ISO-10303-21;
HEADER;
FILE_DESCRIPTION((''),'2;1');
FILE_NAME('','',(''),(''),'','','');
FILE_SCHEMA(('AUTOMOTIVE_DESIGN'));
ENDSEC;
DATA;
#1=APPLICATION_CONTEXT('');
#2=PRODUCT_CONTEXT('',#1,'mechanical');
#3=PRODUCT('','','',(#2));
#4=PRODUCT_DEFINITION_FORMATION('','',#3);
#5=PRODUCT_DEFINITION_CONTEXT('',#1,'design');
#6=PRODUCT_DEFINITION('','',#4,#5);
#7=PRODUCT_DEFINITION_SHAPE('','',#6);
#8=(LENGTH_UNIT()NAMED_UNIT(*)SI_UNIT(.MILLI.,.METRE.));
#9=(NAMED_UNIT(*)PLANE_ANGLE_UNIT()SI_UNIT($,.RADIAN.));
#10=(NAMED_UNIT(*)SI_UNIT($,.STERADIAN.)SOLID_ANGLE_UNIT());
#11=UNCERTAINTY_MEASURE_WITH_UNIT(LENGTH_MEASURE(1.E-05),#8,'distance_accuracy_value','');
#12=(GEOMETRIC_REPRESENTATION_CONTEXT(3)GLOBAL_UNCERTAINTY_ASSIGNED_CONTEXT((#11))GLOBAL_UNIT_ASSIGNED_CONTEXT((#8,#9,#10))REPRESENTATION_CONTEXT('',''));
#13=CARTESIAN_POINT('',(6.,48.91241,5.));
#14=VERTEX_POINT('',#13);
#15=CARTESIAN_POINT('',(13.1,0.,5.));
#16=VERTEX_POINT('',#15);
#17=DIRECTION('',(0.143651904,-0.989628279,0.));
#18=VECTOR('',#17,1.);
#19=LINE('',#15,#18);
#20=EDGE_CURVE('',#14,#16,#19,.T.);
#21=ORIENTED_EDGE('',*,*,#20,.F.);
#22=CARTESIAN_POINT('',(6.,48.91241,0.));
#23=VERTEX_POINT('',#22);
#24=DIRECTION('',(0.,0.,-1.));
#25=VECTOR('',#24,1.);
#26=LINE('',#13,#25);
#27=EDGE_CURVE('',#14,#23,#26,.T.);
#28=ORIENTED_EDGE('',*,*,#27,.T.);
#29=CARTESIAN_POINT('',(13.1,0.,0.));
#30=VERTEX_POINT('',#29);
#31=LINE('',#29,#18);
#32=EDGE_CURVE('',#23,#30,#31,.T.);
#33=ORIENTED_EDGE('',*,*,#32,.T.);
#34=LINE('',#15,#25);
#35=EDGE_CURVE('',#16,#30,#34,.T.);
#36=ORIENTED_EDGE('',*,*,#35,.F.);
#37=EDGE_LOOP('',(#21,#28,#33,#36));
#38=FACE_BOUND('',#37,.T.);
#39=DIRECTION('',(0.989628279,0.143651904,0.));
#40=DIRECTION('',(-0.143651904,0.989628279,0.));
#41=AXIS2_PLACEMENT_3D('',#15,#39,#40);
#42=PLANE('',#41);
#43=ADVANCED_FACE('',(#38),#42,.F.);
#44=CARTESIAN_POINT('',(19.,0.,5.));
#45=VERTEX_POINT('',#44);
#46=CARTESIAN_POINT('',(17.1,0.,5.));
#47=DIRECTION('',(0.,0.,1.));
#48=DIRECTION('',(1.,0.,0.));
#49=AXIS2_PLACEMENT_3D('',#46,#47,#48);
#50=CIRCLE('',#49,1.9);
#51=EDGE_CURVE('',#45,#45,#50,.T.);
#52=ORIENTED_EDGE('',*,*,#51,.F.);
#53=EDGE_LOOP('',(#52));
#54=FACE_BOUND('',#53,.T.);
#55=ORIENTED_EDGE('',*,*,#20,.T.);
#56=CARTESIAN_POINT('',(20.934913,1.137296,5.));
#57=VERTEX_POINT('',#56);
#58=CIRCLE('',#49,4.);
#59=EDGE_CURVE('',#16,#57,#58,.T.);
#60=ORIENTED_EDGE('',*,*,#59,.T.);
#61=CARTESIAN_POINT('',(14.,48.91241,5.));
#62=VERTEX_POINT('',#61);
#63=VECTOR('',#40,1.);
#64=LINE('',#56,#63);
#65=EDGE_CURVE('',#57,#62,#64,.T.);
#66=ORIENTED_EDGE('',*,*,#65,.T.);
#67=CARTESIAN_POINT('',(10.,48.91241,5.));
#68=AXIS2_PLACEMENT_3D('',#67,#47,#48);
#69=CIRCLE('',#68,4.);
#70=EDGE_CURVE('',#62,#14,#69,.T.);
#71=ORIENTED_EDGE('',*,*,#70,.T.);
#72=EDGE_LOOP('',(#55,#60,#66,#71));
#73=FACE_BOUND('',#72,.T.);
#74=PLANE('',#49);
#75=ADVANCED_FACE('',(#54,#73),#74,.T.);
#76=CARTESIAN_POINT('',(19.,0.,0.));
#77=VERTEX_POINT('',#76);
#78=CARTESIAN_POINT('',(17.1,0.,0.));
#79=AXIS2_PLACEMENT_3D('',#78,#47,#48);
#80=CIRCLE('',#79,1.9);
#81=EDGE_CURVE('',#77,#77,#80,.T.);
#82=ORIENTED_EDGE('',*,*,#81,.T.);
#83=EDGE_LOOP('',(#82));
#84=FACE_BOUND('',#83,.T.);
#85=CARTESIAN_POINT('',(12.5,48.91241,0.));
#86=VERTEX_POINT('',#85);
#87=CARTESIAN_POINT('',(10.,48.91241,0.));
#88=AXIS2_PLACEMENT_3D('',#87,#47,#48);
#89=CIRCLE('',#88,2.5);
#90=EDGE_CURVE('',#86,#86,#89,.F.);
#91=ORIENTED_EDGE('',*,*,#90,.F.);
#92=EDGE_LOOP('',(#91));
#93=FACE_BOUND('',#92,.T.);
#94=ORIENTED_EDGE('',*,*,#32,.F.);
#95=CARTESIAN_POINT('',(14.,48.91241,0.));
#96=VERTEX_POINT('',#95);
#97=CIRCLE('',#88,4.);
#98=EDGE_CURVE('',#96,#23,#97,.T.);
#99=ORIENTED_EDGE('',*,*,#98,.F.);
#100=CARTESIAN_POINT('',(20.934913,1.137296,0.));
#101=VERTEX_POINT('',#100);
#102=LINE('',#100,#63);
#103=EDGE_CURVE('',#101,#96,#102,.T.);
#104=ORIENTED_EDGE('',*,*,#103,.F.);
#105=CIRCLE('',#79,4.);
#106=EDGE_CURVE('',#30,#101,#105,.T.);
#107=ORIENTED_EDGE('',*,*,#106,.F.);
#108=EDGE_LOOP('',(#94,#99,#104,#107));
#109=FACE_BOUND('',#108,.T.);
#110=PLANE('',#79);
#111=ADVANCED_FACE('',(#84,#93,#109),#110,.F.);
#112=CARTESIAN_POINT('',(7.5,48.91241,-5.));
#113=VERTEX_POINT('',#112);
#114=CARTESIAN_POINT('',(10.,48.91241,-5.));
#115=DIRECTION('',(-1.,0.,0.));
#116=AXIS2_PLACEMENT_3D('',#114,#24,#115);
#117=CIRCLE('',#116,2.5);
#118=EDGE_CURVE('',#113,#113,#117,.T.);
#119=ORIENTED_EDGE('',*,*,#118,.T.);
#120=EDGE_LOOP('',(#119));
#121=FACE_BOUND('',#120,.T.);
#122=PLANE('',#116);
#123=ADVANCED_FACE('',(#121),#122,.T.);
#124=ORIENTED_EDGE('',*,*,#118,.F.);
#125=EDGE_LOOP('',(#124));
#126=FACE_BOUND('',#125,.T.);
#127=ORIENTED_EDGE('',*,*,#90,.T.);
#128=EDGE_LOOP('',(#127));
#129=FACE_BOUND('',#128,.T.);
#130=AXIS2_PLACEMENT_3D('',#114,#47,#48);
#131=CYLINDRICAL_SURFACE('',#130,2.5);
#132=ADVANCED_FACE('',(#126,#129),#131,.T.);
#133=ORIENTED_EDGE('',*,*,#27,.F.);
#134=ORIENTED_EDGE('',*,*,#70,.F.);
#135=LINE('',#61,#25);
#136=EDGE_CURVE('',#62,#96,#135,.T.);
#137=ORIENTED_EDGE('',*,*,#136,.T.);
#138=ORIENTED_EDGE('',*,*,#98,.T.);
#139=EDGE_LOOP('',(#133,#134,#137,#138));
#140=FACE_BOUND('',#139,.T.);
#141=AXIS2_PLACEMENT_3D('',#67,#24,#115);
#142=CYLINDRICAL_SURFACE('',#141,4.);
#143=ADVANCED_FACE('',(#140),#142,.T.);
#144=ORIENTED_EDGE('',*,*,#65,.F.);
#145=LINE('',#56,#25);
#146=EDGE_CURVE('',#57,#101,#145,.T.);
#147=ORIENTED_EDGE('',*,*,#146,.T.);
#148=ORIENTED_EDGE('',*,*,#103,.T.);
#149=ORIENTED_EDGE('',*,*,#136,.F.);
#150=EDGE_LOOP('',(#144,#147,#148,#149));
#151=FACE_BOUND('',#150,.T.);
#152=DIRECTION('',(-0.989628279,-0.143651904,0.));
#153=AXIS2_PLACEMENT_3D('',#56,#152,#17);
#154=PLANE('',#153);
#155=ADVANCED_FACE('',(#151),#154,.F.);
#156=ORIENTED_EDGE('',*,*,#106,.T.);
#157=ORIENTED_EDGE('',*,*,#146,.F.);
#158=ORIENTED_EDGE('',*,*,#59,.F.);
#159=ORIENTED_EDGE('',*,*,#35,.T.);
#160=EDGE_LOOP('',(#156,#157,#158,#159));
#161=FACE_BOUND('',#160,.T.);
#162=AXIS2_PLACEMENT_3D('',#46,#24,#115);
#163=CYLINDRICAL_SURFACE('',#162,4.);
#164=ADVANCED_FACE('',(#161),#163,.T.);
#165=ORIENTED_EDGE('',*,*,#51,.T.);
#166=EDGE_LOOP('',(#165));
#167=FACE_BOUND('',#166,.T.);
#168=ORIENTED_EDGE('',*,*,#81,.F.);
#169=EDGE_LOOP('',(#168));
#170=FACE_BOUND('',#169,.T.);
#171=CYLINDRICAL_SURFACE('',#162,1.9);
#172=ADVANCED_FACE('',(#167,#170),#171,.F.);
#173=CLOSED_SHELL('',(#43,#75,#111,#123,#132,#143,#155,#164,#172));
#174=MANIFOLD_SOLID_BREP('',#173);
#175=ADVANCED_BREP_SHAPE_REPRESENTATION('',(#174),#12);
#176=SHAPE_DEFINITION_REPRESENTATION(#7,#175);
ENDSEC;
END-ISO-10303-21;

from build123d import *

# Parameters (mm, degrees)
SKETCH1_R           = 1.9
BOSS_EXTRUDE1_DEPTH = 5
SKETCH2_R           = 2.5
BOSS_EXTRUDE2_DEPTH = 5


with BuildPart() as part:
    # Sketch1 → Boss-Extrude1 (new body)
    with BuildSketch(Plane.XY):
        with BuildLine():
            Line((13.1, 0), (6, 48.912409848))
            ThreePointArc((6, 48.912409848), (10, 52.912409848), (14, 48.912409848))
            Line((14, 48.912409848), (20.934913045, 1.137295889))
            ThreePointArc((20.934913045, 1.137295889), (17.674607614, -3.958513116), (13.1, 0))
        make_face()
        with Locations((17.1, 0)):
            Circle(SKETCH1_R, mode=Mode.SUBTRACT)
    extrude(amount=BOSS_EXTRUDE1_DEPTH)

    # Sketch2 → Boss-Extrude2 (add)
    with BuildSketch(Plane(origin=(0, 0, 0), x_dir=(-1, 0, 0), z_dir=(0, 0, -1))):
        with Locations(Location((-10, 48.912409848, 0), (0, 0, 180))):
            Circle(SKETCH2_R)
    extrude(amount=BOSS_EXTRUDE2_DEPTH)


solid = part.part
